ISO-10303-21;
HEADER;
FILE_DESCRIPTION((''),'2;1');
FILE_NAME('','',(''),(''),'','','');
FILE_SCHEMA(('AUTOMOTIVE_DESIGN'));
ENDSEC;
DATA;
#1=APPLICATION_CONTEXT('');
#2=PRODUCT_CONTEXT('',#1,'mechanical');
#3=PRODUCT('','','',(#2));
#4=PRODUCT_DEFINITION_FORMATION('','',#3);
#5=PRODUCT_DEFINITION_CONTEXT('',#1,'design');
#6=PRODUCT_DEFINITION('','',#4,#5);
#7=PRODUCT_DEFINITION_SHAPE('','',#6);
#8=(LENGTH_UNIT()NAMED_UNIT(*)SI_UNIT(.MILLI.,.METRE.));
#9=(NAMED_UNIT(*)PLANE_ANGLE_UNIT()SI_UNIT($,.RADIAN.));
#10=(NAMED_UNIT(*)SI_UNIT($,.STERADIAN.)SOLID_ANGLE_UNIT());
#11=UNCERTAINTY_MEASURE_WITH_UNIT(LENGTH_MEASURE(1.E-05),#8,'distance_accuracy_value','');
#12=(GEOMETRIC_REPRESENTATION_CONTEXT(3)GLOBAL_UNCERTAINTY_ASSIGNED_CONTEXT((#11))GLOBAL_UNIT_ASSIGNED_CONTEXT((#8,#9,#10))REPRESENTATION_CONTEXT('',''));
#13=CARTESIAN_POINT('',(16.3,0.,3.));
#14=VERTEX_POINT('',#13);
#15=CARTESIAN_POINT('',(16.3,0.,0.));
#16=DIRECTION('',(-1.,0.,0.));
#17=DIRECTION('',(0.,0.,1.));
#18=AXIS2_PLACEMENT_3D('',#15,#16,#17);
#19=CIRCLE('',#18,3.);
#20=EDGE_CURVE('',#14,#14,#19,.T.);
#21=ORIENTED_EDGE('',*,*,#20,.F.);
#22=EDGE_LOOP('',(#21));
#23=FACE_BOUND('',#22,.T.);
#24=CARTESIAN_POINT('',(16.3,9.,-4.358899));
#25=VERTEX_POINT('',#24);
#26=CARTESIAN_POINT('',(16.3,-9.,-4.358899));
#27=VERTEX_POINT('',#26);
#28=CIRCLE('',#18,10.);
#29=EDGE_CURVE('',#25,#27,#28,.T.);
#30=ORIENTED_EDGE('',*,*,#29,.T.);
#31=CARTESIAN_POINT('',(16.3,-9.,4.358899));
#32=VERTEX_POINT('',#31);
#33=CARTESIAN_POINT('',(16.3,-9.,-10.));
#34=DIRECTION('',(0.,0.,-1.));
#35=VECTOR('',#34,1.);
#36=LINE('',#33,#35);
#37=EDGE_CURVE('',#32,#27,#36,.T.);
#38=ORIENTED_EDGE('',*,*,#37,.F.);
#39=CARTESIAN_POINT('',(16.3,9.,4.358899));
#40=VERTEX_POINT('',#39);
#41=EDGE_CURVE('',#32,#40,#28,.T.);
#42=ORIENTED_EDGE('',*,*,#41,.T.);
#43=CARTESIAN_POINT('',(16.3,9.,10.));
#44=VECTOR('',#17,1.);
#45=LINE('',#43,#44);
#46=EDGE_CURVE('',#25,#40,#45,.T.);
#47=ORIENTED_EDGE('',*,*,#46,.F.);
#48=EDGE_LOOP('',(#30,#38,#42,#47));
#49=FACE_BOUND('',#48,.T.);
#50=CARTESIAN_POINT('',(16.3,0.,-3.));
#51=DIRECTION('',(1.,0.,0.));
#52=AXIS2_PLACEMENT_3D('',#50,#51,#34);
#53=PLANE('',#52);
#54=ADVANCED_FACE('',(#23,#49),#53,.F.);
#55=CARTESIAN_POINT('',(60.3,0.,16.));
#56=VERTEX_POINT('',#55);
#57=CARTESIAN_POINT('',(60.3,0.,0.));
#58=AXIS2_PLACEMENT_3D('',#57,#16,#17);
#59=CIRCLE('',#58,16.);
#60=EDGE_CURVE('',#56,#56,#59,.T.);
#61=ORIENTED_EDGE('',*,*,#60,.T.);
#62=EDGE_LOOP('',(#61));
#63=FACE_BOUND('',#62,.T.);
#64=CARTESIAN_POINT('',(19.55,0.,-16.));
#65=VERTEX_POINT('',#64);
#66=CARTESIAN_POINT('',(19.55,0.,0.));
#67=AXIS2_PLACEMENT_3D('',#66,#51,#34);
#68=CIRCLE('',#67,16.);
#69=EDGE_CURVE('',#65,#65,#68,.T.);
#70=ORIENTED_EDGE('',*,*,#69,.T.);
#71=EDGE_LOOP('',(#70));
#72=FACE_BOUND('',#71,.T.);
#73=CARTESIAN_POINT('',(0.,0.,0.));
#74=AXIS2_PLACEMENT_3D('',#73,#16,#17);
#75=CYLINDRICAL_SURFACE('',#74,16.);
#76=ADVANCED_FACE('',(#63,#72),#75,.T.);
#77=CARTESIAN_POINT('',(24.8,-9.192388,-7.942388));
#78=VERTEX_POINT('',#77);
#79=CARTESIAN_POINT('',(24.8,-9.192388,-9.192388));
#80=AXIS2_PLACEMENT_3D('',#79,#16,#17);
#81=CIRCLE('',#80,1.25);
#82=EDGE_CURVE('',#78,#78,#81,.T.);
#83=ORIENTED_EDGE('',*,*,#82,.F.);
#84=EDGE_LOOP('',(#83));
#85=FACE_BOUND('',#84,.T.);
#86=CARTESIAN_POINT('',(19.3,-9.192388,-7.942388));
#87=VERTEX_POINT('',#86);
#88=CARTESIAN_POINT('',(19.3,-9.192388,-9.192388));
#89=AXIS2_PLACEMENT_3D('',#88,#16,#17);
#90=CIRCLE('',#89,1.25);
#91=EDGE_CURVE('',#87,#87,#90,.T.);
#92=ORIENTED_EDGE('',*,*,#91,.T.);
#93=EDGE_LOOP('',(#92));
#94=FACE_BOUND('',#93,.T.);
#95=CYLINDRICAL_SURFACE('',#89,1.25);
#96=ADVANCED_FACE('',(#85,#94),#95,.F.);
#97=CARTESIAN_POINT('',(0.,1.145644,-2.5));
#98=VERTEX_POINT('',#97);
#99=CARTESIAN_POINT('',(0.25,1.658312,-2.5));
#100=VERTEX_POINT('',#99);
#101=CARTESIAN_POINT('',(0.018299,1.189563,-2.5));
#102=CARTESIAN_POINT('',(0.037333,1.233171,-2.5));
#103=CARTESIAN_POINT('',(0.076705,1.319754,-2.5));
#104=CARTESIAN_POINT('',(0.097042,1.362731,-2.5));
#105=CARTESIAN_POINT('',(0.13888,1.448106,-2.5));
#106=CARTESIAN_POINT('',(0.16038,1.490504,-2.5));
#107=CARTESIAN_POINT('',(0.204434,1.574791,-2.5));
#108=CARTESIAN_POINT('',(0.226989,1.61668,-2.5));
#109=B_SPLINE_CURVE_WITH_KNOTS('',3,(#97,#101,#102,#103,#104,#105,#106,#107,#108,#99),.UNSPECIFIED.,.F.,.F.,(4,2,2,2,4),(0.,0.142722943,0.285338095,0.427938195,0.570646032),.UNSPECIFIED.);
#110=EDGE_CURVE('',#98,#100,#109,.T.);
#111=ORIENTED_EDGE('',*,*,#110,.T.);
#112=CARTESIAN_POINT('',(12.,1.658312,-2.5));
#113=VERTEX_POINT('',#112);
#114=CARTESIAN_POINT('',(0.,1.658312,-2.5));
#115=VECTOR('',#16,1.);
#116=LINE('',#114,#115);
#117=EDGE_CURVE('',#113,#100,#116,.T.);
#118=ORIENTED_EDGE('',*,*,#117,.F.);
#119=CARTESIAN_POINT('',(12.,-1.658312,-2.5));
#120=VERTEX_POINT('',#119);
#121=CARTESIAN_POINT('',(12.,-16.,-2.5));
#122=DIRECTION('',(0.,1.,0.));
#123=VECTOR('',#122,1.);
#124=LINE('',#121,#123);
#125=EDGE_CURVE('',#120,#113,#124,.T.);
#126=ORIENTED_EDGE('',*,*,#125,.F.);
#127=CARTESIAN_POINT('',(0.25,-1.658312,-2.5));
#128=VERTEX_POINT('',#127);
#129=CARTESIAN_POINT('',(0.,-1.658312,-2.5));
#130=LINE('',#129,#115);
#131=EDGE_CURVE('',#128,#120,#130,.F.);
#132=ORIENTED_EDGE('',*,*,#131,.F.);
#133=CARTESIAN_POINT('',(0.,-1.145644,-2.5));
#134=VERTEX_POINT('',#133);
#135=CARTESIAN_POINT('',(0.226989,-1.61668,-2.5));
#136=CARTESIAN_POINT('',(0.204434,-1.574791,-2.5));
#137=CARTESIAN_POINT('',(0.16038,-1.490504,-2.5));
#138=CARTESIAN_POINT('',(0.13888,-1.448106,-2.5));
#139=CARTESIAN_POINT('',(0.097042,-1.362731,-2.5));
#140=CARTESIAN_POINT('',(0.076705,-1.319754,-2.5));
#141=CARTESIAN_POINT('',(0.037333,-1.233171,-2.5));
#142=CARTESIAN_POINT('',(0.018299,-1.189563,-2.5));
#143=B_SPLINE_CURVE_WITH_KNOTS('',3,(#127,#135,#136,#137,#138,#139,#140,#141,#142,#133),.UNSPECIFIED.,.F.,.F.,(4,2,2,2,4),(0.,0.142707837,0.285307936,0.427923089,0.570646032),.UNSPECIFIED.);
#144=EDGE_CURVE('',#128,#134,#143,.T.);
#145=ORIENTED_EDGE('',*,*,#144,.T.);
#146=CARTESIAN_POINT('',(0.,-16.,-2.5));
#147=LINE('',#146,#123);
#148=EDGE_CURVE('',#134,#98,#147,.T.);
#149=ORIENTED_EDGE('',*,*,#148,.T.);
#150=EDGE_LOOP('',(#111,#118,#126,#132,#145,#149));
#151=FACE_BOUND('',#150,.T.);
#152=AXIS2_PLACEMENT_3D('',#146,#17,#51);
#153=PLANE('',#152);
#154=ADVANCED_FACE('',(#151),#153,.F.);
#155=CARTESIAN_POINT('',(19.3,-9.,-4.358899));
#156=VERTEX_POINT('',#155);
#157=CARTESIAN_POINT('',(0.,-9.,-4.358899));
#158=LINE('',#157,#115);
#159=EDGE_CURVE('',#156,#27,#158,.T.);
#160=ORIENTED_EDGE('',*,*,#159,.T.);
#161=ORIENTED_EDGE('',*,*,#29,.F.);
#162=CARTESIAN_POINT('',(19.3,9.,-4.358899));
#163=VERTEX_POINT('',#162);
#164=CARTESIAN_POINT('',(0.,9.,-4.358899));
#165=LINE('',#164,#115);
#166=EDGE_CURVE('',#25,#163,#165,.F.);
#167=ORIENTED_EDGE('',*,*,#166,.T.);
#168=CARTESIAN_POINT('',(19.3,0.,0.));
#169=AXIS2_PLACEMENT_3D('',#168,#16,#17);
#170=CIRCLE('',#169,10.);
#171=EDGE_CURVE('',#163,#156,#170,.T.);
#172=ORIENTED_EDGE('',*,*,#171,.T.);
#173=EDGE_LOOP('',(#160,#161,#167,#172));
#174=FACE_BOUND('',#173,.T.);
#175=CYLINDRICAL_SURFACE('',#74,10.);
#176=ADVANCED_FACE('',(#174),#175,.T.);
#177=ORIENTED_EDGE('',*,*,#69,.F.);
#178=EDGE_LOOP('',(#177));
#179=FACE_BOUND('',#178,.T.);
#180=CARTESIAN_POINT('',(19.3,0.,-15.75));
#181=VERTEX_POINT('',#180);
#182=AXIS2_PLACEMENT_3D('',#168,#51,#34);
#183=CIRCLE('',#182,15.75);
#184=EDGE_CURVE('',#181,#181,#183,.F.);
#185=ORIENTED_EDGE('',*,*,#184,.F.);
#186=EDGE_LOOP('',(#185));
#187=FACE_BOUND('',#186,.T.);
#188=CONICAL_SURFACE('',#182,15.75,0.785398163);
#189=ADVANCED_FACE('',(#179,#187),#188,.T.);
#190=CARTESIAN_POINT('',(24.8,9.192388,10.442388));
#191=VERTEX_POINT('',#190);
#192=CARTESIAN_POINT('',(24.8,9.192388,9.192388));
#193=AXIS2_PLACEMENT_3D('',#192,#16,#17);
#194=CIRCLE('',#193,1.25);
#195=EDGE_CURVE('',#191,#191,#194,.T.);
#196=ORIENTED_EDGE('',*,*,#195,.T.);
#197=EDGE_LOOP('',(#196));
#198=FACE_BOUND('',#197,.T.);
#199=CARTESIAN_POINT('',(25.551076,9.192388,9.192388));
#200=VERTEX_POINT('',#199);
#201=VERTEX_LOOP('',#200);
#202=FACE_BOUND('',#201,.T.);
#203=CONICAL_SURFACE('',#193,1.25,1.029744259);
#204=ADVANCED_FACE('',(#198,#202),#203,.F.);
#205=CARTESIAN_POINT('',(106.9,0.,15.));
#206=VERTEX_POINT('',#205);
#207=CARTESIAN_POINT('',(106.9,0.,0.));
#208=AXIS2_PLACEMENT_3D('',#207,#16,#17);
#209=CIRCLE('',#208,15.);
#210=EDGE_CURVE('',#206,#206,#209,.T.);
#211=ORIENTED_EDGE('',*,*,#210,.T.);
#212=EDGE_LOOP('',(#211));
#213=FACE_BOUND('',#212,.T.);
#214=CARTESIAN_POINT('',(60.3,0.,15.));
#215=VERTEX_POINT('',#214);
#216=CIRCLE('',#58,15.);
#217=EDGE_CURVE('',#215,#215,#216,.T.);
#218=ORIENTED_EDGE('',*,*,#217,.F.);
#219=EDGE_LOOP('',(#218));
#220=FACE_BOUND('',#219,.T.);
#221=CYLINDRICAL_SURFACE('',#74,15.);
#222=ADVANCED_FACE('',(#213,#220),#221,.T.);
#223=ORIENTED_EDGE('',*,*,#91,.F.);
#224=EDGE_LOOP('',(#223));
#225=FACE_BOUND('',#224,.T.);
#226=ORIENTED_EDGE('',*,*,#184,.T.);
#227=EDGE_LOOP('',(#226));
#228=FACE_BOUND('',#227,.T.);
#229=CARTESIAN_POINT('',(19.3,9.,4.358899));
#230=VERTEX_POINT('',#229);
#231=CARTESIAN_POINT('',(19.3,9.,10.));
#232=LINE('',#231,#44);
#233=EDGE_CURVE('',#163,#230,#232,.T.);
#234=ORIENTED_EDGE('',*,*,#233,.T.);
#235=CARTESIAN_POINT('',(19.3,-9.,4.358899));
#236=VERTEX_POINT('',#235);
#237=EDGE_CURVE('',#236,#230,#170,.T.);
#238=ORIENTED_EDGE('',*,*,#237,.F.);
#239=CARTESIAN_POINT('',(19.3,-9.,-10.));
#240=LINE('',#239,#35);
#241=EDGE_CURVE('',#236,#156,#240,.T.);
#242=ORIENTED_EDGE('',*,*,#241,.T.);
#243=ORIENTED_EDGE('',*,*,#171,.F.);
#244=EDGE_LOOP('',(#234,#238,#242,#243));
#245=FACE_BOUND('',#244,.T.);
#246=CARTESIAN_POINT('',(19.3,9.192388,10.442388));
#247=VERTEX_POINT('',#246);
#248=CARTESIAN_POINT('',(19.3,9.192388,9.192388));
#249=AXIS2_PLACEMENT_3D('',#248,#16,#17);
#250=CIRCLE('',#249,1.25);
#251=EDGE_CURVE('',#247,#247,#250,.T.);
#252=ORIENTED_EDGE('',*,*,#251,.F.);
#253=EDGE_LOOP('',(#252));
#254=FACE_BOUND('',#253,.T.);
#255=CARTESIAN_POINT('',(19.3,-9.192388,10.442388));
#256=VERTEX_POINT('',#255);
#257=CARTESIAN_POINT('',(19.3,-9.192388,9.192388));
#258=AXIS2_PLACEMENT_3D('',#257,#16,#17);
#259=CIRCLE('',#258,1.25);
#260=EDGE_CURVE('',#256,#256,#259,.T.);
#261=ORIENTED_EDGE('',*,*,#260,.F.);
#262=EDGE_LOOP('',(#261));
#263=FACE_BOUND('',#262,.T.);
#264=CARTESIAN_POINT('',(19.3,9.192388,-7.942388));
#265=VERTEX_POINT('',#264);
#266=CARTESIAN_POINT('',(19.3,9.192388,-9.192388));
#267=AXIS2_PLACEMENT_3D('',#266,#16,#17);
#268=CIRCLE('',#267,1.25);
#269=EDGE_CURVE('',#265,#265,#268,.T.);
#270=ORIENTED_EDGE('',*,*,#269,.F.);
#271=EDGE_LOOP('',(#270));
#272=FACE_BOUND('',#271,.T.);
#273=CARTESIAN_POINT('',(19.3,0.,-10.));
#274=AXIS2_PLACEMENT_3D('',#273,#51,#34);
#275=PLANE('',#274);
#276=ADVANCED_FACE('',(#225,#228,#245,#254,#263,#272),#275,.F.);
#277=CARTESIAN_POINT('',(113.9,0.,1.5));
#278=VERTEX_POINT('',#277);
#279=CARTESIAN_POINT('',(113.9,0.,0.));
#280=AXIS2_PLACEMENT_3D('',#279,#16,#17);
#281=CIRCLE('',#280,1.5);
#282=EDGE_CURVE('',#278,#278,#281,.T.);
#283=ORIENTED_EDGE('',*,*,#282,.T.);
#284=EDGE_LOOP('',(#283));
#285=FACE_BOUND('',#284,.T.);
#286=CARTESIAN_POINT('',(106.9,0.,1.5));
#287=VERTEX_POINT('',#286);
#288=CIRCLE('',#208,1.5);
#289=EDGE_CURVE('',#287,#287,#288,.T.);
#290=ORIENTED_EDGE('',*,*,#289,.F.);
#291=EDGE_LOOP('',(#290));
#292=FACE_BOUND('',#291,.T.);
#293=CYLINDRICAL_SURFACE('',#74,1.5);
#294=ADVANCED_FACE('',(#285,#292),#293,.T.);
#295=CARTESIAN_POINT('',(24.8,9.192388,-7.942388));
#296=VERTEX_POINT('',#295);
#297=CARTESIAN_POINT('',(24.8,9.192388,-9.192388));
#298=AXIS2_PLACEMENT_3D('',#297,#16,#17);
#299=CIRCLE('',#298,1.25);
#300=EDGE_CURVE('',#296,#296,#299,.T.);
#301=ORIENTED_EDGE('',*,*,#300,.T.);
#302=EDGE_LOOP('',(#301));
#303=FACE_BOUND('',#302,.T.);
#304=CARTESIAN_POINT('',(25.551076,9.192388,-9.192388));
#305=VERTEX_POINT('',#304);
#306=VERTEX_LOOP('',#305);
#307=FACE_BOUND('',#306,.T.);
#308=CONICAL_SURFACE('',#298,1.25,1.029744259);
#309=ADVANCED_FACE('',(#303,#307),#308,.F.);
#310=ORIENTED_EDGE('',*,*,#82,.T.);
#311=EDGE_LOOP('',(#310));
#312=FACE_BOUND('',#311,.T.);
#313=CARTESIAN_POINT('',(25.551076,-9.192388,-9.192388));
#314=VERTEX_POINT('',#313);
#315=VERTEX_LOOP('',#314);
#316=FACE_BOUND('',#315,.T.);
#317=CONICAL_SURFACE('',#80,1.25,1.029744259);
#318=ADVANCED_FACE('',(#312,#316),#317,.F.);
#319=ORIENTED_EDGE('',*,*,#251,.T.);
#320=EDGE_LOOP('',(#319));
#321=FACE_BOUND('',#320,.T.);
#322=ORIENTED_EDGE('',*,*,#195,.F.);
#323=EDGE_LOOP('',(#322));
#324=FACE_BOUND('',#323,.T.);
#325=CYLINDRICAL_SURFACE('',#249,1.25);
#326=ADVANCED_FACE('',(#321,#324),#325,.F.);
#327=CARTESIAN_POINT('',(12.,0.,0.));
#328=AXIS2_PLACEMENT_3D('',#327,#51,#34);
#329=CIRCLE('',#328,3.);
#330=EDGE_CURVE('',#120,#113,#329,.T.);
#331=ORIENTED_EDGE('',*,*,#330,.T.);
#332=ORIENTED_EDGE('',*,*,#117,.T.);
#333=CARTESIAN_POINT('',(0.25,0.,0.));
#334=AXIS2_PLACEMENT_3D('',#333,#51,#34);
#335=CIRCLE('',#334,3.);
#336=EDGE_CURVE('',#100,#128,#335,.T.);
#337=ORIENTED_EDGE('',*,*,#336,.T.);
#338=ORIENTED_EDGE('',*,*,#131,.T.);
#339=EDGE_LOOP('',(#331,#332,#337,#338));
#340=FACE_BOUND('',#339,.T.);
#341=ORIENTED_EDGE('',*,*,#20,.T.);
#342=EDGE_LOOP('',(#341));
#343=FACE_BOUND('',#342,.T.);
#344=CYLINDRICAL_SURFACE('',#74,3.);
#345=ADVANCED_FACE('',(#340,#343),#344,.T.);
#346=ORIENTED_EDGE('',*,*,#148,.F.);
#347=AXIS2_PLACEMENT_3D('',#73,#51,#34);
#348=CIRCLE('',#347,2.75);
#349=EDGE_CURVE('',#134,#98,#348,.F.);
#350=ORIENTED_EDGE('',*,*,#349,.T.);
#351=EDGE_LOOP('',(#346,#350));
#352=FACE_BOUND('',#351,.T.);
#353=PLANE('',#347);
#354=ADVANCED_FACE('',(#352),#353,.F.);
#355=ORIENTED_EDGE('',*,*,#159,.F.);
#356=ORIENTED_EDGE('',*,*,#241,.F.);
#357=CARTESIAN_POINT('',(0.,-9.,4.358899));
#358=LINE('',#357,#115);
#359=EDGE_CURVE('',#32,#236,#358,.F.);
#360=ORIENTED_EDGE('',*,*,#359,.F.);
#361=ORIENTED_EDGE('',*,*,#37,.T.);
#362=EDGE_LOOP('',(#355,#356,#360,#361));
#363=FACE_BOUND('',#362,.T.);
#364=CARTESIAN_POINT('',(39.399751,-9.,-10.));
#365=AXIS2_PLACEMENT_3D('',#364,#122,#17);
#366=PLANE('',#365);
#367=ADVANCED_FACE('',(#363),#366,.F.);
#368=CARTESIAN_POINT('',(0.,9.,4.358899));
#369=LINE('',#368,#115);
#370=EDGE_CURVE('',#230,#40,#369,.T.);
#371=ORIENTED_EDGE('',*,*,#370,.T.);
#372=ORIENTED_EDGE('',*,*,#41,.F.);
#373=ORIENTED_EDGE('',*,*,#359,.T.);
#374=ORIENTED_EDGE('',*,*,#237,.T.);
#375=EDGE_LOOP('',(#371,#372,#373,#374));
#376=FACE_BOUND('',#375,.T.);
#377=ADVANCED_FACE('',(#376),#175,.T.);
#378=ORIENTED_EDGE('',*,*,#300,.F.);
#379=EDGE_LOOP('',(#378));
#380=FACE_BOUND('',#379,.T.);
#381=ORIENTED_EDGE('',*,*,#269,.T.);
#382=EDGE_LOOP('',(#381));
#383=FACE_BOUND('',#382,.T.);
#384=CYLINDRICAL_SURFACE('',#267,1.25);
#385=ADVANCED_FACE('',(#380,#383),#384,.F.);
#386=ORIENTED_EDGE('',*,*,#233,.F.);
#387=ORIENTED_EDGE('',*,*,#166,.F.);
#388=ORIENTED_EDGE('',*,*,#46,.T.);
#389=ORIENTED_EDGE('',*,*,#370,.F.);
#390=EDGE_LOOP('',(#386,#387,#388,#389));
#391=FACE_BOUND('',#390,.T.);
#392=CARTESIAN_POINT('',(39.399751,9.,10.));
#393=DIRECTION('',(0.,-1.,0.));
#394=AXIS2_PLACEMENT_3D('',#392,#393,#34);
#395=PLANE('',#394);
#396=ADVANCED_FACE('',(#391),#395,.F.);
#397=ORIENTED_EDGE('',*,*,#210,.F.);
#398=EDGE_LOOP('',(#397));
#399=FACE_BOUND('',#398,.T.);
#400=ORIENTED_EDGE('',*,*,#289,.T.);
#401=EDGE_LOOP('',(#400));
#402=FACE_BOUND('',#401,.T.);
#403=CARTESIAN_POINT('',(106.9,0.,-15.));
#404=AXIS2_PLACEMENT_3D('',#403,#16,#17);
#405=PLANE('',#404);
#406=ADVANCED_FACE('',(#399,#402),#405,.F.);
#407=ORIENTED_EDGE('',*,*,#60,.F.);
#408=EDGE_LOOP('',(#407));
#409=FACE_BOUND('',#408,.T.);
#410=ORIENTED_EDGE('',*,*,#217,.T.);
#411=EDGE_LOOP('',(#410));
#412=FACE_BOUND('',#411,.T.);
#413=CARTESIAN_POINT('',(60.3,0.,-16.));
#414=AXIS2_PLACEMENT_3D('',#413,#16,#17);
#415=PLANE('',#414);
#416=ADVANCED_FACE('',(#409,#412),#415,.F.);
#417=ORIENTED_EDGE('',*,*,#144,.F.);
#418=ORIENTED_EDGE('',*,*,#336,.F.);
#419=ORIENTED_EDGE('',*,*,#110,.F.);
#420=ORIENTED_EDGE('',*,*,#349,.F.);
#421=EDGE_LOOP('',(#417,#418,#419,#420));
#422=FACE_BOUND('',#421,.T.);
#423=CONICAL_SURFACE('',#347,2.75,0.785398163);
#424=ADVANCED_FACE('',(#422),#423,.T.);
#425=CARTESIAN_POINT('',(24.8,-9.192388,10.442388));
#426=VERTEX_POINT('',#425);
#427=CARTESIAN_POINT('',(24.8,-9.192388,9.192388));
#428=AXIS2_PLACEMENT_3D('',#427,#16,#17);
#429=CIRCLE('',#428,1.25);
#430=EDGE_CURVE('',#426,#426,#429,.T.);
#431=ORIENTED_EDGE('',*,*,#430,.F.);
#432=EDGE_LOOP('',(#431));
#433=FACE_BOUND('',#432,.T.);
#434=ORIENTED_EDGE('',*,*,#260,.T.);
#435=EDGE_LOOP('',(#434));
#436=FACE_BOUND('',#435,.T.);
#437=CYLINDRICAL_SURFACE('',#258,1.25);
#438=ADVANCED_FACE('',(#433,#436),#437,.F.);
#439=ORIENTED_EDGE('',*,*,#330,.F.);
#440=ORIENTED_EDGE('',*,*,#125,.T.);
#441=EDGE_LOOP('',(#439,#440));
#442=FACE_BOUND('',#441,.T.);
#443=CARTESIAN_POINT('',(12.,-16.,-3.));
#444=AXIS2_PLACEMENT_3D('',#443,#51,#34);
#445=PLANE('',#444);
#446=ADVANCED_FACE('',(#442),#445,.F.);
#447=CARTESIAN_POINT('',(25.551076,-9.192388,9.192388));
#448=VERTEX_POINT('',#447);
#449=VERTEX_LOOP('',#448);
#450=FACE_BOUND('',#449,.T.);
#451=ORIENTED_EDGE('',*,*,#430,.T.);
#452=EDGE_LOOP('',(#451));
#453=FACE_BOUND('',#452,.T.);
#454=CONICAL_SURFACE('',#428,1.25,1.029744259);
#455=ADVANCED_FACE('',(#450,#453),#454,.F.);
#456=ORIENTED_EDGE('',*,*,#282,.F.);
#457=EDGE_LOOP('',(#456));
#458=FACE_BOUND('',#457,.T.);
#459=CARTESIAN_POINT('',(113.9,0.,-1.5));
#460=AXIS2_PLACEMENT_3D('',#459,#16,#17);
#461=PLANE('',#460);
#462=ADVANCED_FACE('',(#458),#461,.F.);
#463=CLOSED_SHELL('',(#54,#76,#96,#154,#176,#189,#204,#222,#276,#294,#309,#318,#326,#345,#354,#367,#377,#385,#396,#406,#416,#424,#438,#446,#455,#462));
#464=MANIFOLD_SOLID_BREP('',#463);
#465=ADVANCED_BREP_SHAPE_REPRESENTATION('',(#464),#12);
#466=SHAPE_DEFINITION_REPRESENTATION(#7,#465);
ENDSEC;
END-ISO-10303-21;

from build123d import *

# Parameters (mm, degrees)
CUT_EXTRUDE1_DEPTH        = 117.125836918
CUT_EXTRUDE1_DEPTH_BACK   = 117.125836918
SKETCH2_W                 = 12
SKETCH2_H                 = 0.5
CHAMFER1_SIZE             = 0.25
SKETCH3_W                 = 20
SKETCH3_H                 = 2
CUT_EXTRUDE2_DEPTH        = 3
M3X0_5_TAPPED_HOLE1_D     = 2.5
M3X0_5_TAPPED_HOLE1_DEPTH = 5.5
M3X0_5_TAPPED_HOLE1_TIP   = 0.751075774


with BuildPart() as part:
    # Sketch1 → Revolve1 (revolve)
    with BuildSketch(Plane(origin=(0, 0, 0), x_dir=(1, 0, 0), z_dir=(0, 1, 0)), mode=Mode.PRIVATE) as revolve1_sk:
        Polygon((0, 0), (113.9, 0), (113.9, 1.5), (106.9, 1.5), (106.9, 15), (60.3, 15), (60.3, 16), (19.3, 16), (19.3, 10), (16.3, 10), (16.3, 3), (0, 3), align=None)
    revolve(revolve1_sk.sketch.rotate(Axis((0, 0, 0), (1, 0, 0)), 180), axis=Axis((0, 0, 0), (1, 0, 0)))

    # Sketch2 → Cut-Extrude1 (cut, two sides: drawn at the far end of the back side and taken through both)
    with BuildSketch(Plane(origin=(0, 0, 0), x_dir=(1, 0, 0), z_dir=(0, 1, 0)).offset(-CUT_EXTRUDE1_DEPTH_BACK)):
        with Locations((6, 2.75)):
            Rectangle(SKETCH2_W, SKETCH2_H)
    extrude(amount=CUT_EXTRUDE1_DEPTH + CUT_EXTRUDE1_DEPTH_BACK, mode=Mode.SUBTRACT)

    # Chamfer1
    chamfer1_edges = [part.edges().sort_by_distance(p)[0] for p in [
        (19.3, 0, -16),
        (0, 2.872281323, 0.866025404),
    ]]
    chamfer(chamfer1_edges, length=CHAMFER1_SIZE)

    # Sketch3 → Cut-Extrude2 (cut)
    with BuildSketch(Plane.ZY.offset(-16.3)):
        with Locations((0, 10)):
            Rectangle(SKETCH3_W, SKETCH3_H)
        with Locations((0, -10)):
            Rectangle(SKETCH3_W, SKETCH3_H)
    extrude(amount=-CUT_EXTRUDE2_DEPTH, mode=Mode.SUBTRACT)

    # M3x0.5 Tapped Hole1
    with Locations(Plane.ZY.offset(-19.3)):
        with Locations((-9.192388155, -9.192388155), (-9.192388155, 9.192388155), (9.192388155, 9.192388155), (9.192388155, -9.192388155)):
            Hole(M3X0_5_TAPPED_HOLE1_D / 2, depth=M3X0_5_TAPPED_HOLE1_DEPTH)
            with Locations((0, 0, -(M3X0_5_TAPPED_HOLE1_DEPTH + M3X0_5_TAPPED_HOLE1_TIP / 2))):  # 118° drill point
                Cone(0, M3X0_5_TAPPED_HOLE1_D / 2, M3X0_5_TAPPED_HOLE1_TIP, mode=Mode.SUBTRACT)


solid = part.part
